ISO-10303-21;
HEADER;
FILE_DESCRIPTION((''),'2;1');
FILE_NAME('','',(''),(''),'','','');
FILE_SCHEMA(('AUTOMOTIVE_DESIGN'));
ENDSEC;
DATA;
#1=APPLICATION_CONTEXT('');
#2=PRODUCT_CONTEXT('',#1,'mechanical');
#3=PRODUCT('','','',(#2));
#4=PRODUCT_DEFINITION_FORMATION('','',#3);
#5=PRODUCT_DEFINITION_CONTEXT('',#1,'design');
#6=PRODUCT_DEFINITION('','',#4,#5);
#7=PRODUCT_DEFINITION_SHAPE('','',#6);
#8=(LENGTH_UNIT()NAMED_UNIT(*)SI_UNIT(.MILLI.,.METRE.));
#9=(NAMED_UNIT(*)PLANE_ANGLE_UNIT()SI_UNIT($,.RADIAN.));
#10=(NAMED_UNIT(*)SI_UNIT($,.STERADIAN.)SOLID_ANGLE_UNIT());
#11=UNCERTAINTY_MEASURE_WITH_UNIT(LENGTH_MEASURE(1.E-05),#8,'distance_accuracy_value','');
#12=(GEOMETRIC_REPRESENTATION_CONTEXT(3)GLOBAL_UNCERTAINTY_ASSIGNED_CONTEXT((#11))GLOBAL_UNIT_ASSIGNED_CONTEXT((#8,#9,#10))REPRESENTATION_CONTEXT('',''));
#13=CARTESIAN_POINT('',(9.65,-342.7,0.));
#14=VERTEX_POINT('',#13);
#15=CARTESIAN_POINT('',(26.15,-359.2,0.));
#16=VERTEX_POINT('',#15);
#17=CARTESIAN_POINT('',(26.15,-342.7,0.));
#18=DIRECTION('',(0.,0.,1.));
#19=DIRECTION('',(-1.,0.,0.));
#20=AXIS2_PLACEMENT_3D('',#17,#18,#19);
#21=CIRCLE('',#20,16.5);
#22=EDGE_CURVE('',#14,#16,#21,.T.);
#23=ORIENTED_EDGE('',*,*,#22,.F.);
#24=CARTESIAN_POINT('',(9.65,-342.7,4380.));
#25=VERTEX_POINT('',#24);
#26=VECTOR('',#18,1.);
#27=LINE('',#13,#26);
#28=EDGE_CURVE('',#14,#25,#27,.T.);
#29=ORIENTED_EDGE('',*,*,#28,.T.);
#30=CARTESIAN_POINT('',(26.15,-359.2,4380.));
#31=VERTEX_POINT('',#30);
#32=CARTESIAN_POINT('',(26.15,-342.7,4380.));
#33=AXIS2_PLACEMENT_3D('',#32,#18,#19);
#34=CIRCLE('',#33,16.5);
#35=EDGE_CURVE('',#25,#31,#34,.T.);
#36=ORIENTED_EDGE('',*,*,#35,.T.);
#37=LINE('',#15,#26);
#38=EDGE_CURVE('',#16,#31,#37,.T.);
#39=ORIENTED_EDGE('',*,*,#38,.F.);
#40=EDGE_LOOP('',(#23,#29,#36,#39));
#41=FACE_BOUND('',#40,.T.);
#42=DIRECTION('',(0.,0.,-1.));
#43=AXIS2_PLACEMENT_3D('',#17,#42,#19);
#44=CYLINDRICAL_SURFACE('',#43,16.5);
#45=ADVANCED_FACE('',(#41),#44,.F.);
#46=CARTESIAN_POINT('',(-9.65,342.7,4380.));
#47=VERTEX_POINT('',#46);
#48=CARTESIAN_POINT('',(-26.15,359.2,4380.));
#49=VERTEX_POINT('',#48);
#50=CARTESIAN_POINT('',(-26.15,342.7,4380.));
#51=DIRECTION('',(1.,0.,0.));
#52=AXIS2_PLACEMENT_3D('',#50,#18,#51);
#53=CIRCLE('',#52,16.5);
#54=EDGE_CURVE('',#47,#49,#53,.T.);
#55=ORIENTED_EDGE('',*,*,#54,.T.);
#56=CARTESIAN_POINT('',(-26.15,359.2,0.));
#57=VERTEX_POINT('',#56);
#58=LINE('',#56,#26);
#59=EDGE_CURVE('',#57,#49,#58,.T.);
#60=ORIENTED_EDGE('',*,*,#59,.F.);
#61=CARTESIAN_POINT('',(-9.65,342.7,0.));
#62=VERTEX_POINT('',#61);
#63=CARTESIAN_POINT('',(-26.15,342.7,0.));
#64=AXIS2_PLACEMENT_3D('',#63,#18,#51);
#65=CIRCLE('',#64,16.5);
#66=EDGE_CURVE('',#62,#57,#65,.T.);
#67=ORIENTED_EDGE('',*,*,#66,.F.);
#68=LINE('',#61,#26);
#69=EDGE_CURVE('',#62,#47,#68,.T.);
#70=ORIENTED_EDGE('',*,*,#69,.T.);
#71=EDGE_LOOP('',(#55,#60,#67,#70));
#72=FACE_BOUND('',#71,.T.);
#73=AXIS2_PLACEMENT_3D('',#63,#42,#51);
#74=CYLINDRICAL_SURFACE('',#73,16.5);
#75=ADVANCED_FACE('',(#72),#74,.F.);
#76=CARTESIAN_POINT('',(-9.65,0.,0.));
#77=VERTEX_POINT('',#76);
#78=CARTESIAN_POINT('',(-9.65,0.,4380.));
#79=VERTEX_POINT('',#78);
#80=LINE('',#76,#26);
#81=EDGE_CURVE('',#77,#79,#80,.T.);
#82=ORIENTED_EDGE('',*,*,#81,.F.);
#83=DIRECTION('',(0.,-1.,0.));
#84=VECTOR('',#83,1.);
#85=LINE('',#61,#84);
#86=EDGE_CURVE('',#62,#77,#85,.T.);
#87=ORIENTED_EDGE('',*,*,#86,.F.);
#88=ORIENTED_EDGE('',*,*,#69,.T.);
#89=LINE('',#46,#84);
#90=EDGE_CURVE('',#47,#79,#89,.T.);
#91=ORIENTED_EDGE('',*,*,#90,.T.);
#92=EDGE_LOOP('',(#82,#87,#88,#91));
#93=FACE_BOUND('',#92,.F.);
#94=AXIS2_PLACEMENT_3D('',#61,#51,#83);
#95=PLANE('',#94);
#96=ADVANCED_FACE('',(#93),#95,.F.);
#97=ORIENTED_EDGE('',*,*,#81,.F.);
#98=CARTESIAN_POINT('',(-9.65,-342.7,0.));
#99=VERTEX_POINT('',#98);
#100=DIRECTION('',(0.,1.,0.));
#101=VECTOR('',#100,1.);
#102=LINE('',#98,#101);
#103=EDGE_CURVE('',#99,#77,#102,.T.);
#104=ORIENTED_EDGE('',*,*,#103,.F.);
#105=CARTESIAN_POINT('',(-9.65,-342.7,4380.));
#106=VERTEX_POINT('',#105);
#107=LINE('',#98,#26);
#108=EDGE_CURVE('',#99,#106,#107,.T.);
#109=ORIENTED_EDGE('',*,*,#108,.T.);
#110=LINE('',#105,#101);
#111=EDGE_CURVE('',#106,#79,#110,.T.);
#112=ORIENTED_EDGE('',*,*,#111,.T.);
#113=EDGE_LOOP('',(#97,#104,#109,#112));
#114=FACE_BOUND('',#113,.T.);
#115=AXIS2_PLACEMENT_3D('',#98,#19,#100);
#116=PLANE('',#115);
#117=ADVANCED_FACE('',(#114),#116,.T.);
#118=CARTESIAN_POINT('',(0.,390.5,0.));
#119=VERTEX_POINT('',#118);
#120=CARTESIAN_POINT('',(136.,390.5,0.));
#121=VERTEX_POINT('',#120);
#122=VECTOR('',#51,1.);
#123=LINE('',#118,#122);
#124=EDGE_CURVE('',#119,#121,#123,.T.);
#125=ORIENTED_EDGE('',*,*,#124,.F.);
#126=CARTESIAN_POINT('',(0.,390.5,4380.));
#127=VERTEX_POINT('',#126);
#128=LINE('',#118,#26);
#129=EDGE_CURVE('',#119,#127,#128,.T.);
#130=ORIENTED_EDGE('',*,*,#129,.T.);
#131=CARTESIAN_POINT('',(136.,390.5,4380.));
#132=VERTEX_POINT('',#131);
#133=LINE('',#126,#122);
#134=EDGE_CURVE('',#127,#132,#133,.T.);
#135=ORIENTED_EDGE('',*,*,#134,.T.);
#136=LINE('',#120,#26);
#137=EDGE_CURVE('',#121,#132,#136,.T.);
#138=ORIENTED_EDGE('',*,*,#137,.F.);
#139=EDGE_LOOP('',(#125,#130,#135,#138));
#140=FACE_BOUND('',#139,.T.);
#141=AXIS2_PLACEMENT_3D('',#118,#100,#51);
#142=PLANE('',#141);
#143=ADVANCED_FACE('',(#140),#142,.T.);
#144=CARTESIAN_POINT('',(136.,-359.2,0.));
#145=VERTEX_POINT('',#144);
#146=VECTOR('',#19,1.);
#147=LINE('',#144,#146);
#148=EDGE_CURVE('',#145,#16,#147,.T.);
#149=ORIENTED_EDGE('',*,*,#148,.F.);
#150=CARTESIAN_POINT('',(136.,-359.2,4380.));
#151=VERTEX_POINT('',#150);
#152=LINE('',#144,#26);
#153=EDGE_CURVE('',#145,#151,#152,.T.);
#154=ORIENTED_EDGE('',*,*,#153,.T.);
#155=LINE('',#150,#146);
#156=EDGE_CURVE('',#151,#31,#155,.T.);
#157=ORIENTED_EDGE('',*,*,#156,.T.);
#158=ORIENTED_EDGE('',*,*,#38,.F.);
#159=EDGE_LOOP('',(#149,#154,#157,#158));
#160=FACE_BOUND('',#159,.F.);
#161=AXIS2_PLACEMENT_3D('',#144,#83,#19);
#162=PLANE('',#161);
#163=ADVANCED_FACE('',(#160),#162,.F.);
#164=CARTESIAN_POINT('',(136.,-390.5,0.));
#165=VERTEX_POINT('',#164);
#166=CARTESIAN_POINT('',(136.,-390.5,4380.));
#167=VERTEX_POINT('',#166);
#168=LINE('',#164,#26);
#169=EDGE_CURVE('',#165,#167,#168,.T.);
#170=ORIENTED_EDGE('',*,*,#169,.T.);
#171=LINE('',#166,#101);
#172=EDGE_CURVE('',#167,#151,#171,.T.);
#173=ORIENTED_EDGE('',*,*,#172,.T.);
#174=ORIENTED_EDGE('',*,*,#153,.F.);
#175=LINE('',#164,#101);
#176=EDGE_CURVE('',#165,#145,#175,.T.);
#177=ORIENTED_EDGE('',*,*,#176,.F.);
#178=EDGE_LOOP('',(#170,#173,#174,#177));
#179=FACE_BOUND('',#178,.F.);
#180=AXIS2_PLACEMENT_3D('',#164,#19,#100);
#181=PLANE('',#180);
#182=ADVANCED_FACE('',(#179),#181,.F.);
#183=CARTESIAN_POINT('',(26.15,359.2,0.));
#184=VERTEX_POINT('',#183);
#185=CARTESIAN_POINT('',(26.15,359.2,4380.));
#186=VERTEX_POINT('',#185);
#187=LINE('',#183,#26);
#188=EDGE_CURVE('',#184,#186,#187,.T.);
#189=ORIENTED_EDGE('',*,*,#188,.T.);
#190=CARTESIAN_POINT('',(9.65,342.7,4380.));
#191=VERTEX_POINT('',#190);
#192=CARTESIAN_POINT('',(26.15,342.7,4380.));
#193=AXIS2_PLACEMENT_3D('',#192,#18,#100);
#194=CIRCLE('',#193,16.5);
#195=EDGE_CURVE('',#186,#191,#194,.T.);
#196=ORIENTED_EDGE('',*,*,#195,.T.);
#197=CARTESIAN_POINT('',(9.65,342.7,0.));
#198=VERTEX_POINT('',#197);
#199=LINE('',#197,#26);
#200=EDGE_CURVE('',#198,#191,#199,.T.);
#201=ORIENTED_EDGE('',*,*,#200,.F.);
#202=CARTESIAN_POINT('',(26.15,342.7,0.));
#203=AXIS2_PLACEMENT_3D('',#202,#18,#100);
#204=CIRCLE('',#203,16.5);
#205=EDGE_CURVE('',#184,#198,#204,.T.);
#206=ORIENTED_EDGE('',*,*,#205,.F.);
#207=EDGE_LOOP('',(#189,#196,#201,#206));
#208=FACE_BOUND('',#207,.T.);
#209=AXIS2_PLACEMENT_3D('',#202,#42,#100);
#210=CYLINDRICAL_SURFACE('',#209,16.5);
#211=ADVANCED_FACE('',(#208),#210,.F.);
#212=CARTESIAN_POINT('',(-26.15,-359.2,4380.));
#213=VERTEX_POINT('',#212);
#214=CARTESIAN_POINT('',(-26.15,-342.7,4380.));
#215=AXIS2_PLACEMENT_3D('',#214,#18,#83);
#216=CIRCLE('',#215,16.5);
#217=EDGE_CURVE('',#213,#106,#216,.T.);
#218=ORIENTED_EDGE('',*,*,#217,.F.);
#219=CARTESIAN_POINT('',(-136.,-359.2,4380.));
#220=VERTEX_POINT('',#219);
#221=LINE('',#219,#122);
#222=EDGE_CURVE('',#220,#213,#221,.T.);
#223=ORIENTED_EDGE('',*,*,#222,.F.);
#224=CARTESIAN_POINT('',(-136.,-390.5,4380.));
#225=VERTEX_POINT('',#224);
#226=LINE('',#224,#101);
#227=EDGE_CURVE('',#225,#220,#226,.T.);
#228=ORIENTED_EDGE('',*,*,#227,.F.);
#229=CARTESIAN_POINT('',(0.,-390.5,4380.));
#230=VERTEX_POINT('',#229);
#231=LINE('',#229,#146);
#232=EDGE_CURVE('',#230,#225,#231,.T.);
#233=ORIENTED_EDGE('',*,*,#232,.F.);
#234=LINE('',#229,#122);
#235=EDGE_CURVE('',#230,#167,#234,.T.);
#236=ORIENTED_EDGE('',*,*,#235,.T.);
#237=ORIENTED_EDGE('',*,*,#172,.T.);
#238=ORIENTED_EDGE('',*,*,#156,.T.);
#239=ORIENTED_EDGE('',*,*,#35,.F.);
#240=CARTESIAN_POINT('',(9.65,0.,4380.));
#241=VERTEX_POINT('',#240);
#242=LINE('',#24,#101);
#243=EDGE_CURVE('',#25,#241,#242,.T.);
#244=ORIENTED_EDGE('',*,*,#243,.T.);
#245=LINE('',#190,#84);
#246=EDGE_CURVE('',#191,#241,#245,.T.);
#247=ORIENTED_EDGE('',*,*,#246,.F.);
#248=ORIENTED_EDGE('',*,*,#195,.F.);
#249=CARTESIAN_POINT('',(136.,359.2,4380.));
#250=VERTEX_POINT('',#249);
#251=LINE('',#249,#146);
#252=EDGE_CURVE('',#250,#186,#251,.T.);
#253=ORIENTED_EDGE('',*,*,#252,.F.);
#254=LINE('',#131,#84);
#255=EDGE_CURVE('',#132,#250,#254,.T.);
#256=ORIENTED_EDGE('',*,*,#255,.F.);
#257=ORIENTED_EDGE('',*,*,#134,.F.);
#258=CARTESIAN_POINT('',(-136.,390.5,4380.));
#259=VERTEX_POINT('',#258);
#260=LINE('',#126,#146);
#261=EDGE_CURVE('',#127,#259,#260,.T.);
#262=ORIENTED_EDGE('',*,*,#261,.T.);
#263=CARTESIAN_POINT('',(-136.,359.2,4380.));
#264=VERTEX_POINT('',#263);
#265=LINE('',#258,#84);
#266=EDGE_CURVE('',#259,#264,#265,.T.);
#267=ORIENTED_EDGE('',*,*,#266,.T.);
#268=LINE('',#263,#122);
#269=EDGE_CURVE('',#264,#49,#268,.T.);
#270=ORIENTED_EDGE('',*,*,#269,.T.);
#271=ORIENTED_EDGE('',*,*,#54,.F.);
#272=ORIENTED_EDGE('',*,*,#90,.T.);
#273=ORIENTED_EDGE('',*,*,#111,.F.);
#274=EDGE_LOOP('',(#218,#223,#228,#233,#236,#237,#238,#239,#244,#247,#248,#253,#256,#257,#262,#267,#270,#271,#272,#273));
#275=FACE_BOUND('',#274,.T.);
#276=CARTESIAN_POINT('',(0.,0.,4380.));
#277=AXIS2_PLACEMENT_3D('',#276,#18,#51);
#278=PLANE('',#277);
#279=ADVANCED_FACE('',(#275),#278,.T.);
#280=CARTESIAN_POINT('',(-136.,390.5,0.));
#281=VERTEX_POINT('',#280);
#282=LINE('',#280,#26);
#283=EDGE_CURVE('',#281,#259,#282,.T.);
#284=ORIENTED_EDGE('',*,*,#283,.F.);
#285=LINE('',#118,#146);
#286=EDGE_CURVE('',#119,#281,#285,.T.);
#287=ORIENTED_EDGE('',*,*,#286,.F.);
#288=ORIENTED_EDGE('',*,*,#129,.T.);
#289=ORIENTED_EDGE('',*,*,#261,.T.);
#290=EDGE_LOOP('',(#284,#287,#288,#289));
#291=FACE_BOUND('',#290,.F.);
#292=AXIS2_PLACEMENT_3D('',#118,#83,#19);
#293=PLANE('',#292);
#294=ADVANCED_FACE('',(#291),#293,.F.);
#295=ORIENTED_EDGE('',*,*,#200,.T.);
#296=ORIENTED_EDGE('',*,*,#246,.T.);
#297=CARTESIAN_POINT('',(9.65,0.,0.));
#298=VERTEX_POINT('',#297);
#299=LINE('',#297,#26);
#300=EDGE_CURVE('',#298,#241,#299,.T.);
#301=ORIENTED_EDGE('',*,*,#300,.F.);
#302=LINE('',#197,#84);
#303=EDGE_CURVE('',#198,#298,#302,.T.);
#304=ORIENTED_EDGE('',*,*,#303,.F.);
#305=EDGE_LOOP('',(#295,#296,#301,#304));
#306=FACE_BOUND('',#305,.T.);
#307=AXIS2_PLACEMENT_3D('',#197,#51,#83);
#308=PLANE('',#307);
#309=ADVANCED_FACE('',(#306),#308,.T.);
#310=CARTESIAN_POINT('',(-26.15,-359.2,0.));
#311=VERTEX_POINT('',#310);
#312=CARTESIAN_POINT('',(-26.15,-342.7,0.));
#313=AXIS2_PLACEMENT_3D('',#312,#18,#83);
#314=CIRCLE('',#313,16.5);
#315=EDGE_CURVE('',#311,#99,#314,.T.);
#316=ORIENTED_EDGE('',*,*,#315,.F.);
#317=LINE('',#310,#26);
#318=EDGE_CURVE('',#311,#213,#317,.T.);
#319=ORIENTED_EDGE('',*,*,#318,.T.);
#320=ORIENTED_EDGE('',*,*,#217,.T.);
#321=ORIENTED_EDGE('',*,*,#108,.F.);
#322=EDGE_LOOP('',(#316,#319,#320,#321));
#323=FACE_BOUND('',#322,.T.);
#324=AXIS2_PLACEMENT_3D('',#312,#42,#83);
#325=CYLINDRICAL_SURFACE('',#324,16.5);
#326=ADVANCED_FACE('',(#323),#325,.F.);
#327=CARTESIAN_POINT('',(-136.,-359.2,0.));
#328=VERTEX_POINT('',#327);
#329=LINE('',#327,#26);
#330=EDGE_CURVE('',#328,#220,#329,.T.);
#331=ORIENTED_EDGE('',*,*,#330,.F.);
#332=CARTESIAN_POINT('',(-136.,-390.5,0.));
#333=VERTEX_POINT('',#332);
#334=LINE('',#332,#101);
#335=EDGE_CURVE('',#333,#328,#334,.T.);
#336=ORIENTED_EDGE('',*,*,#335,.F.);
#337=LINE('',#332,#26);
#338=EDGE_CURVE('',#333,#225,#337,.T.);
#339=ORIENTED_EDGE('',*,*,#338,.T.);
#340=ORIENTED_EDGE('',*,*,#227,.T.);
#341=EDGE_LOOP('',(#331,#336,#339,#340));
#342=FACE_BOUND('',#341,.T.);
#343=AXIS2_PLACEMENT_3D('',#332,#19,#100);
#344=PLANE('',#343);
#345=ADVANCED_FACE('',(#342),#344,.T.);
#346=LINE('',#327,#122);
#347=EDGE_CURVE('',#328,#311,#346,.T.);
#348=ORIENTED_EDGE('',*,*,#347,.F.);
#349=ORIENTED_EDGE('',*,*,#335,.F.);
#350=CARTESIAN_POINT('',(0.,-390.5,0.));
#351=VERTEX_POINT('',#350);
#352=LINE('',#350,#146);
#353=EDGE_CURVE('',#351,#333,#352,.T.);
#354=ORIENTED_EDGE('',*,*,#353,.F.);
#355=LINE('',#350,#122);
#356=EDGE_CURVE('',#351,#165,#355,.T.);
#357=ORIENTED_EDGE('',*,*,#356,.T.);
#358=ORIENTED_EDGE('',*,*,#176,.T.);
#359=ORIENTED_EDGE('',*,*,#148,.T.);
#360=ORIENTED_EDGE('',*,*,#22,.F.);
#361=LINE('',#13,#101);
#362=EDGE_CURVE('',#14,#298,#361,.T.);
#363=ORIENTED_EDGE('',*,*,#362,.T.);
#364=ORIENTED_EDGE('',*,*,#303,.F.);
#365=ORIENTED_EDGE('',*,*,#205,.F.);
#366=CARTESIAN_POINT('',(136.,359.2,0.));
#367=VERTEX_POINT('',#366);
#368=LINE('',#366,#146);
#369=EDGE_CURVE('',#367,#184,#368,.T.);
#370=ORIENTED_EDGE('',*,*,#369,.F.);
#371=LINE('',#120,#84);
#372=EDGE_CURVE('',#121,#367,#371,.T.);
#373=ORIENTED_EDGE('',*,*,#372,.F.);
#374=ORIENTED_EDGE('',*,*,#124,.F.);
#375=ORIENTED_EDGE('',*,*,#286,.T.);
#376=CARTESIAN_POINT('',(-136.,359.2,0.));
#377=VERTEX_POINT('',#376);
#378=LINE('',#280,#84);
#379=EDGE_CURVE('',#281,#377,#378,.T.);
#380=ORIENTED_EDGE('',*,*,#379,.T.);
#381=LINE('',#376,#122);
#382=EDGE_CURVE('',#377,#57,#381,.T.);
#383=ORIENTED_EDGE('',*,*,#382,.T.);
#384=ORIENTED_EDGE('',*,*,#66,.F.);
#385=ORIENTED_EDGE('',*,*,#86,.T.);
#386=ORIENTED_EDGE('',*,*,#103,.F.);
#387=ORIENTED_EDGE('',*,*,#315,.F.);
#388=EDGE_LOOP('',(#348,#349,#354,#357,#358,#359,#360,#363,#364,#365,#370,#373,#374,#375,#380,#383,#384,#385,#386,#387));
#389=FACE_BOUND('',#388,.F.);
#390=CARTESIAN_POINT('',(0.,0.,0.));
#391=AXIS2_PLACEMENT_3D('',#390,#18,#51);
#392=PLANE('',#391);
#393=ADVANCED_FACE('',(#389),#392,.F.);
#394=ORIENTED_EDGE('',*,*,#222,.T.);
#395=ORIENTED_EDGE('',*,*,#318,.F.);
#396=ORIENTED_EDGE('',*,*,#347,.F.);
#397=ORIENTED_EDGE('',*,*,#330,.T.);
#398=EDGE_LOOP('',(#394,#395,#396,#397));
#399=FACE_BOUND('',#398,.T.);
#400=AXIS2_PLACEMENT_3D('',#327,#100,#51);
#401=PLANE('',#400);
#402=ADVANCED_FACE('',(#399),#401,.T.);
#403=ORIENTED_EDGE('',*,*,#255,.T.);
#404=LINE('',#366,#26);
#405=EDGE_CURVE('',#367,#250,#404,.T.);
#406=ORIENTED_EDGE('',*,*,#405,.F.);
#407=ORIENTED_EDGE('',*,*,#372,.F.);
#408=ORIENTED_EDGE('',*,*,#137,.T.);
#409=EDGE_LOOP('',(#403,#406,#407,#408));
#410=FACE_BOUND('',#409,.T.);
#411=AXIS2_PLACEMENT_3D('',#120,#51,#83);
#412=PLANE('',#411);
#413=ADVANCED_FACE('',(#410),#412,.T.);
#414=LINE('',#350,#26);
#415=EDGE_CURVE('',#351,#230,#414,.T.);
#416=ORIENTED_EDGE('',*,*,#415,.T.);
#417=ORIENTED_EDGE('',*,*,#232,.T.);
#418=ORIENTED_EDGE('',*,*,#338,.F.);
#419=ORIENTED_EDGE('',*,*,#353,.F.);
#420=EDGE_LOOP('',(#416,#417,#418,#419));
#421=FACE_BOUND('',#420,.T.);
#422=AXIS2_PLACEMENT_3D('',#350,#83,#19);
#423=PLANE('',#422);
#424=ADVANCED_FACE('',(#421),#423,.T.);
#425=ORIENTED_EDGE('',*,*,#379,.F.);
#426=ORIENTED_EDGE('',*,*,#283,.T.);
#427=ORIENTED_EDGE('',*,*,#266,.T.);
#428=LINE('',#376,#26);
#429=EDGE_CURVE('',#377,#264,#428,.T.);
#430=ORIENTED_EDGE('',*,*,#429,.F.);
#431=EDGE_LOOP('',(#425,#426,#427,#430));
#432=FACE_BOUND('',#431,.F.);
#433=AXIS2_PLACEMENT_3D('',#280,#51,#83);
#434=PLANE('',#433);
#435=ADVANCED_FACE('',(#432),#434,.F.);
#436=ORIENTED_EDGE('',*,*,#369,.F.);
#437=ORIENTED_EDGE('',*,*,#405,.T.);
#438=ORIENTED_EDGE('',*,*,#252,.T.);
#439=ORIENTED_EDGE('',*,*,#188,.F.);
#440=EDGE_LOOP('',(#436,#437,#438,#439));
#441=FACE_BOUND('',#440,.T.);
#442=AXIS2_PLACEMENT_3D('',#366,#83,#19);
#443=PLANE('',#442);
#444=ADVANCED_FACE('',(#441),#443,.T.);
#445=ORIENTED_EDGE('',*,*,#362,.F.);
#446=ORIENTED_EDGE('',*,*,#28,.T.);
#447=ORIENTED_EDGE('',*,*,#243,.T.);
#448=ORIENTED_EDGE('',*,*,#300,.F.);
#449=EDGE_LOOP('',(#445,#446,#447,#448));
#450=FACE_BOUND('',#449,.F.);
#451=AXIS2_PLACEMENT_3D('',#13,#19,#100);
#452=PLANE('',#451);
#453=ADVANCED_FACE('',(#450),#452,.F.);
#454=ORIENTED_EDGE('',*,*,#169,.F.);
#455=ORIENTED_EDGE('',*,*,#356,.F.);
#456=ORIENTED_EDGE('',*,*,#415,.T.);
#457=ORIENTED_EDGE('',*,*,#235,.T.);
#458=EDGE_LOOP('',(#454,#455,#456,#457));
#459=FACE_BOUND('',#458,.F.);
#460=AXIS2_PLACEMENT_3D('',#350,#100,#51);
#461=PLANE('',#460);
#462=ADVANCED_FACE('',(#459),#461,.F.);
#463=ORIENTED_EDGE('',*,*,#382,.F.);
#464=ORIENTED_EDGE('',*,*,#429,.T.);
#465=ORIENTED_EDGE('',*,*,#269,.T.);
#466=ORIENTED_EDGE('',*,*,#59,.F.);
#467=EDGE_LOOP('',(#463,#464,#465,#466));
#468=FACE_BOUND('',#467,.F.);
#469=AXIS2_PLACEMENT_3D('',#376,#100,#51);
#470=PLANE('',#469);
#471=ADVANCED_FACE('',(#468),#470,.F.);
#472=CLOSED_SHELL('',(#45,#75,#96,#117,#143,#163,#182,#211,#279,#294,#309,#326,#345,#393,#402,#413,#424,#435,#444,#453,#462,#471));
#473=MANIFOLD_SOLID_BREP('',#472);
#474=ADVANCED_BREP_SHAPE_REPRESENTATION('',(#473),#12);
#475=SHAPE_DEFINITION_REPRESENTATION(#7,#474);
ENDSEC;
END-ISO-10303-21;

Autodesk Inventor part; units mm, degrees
ref_plane "YZ Plane" through (0, 0, 0) normal (1, 0, 0) x (0, 1, 0)
ref_plane "Start plane" through (0, 0, 0) normal (0, 0, 1) x (1, 0, 0)
ref_plane "End plane" through (0, 0, 4380) normal (0, 0, 1) x (1, 0, 0)
sketch "Sketch" plane through (0, 0, 0) normal (0, 0, 1) x (1, 0, 0)
  line L0 (-136, -390.5) -> (-136, -359.2)
  line L1 (-136, -359.2) -> (-26.15, -359.2)
  line L2 (-9.65, -342.7) -> (-9.65, 0)
  line L3 (-9.65, 0) -> (0, 0) construction
  line L4 (0, 0) -> (0, -390.5) construction
  line L5 (0, -390.5) -> (-136, -390.5)
  line L6 (-60, 0) -> (80, 0) construction
  line L7 (0, -60) -> (0, 80) construction
  line L8 (136, -390.5) -> (136, -359.2)
  line L9 (136, -359.2) -> (26.15, -359.2)
  line L10 (9.65, -342.7) -> (9.65, 0)
  line L11 (9.65, 0) -> (0, 0) construction
  line L12 (0, -390.5) -> (136, -390.5)
  line L13 (-136, 390.5) -> (-136, 359.2)
  line L14 (-136, 359.2) -> (-26.15, 359.2)
  line L15 (-9.65, 342.7) -> (-9.65, 0)
  line L16 (0, 390.5) -> (-136, 390.5)
  line L17 (136, 390.5) -> (136, 359.2)
  line L18 (136, 359.2) -> (26.15, 359.2)
  line L19 (0, 390.5) -> (136, 390.5)
  line L20 (9.65, 342.7) -> (9.65, 0)
  arc A0 (-9.65, 342.7) -> (-26.15, 359.2) centre (-26.15, 342.7) ccw
  arc A1 (26.15, 359.2) -> (9.65, 342.7) centre (26.15, 342.7) ccw
  arc A2 (9.65, -342.7) -> (26.15, -359.2) centre (26.15, -342.7) ccw
  arc A3 (-26.15, -359.2) -> (-9.65, -342.7) centre (-26.15, -342.7) ccw
  line L21 (0, 108) -> (0, -88) construction
  line L22 (-88, 0) -> (108, 0) construction
  point P0 (-9.65, -359.2)
  point P1 (9.65, -359.2)
  point P2 (-9.65, 359.2)
  point P3 (9.65, 359.2)
  dimension "d1" = 390.5
  dimension "d2" = 31.3
  dimension "d3" = 136
  dimension "d4" = 9.65
  dimension "d10" = 16.5
extrude "Body" add sketch "Sketch" along normal up to surface (4380 mm away) from surface at 0
sketch "Sketch4" plane through (0, 0, 0) normal (0, 0, 1) x (1, 0, 0)
  line L0 (0, 0) -> (10, 0)
ref_plane "Work Plane3" through (0, 0, 0) normal (0, -1, 0) x (1, 0, 0)
sketch "Sketch5" plane through (0, 0, 0) normal (0, -1, 0) x (1, 0, 0)
  line L0 (-2, 0) -> (12, 0) projected
  line L1 (-2, 4380) -> (12, 4380) projected
  dimension "d14" = 4380
equation "\"d1\" = 0.5 * G_H"
equation "\"d2\" = G_T1"
equation "\"d3\" = 0.5 * G_W"
equation "\"d4\" = 0.5 * G_T"
equation "\"d10\" = G_IR"
equation "\"d5\" = G_L"
equation "\"G_W\" = 272"
equation "\"G_H\" = 781"
equation "\"G_T\" = 19.3"
equation "\"G_T1\" = 31.3"
equation "\"G_IR\" = 16.5"
equation "\"G_L\" = d14"
equation "\"G_OFFSET_START\" = 0"
equation "\"G_OFFSET_END\" = 0"
properties part number "AS 3679-1990 - 760 UB - 244 - 4380" material "Steel, Mild"
